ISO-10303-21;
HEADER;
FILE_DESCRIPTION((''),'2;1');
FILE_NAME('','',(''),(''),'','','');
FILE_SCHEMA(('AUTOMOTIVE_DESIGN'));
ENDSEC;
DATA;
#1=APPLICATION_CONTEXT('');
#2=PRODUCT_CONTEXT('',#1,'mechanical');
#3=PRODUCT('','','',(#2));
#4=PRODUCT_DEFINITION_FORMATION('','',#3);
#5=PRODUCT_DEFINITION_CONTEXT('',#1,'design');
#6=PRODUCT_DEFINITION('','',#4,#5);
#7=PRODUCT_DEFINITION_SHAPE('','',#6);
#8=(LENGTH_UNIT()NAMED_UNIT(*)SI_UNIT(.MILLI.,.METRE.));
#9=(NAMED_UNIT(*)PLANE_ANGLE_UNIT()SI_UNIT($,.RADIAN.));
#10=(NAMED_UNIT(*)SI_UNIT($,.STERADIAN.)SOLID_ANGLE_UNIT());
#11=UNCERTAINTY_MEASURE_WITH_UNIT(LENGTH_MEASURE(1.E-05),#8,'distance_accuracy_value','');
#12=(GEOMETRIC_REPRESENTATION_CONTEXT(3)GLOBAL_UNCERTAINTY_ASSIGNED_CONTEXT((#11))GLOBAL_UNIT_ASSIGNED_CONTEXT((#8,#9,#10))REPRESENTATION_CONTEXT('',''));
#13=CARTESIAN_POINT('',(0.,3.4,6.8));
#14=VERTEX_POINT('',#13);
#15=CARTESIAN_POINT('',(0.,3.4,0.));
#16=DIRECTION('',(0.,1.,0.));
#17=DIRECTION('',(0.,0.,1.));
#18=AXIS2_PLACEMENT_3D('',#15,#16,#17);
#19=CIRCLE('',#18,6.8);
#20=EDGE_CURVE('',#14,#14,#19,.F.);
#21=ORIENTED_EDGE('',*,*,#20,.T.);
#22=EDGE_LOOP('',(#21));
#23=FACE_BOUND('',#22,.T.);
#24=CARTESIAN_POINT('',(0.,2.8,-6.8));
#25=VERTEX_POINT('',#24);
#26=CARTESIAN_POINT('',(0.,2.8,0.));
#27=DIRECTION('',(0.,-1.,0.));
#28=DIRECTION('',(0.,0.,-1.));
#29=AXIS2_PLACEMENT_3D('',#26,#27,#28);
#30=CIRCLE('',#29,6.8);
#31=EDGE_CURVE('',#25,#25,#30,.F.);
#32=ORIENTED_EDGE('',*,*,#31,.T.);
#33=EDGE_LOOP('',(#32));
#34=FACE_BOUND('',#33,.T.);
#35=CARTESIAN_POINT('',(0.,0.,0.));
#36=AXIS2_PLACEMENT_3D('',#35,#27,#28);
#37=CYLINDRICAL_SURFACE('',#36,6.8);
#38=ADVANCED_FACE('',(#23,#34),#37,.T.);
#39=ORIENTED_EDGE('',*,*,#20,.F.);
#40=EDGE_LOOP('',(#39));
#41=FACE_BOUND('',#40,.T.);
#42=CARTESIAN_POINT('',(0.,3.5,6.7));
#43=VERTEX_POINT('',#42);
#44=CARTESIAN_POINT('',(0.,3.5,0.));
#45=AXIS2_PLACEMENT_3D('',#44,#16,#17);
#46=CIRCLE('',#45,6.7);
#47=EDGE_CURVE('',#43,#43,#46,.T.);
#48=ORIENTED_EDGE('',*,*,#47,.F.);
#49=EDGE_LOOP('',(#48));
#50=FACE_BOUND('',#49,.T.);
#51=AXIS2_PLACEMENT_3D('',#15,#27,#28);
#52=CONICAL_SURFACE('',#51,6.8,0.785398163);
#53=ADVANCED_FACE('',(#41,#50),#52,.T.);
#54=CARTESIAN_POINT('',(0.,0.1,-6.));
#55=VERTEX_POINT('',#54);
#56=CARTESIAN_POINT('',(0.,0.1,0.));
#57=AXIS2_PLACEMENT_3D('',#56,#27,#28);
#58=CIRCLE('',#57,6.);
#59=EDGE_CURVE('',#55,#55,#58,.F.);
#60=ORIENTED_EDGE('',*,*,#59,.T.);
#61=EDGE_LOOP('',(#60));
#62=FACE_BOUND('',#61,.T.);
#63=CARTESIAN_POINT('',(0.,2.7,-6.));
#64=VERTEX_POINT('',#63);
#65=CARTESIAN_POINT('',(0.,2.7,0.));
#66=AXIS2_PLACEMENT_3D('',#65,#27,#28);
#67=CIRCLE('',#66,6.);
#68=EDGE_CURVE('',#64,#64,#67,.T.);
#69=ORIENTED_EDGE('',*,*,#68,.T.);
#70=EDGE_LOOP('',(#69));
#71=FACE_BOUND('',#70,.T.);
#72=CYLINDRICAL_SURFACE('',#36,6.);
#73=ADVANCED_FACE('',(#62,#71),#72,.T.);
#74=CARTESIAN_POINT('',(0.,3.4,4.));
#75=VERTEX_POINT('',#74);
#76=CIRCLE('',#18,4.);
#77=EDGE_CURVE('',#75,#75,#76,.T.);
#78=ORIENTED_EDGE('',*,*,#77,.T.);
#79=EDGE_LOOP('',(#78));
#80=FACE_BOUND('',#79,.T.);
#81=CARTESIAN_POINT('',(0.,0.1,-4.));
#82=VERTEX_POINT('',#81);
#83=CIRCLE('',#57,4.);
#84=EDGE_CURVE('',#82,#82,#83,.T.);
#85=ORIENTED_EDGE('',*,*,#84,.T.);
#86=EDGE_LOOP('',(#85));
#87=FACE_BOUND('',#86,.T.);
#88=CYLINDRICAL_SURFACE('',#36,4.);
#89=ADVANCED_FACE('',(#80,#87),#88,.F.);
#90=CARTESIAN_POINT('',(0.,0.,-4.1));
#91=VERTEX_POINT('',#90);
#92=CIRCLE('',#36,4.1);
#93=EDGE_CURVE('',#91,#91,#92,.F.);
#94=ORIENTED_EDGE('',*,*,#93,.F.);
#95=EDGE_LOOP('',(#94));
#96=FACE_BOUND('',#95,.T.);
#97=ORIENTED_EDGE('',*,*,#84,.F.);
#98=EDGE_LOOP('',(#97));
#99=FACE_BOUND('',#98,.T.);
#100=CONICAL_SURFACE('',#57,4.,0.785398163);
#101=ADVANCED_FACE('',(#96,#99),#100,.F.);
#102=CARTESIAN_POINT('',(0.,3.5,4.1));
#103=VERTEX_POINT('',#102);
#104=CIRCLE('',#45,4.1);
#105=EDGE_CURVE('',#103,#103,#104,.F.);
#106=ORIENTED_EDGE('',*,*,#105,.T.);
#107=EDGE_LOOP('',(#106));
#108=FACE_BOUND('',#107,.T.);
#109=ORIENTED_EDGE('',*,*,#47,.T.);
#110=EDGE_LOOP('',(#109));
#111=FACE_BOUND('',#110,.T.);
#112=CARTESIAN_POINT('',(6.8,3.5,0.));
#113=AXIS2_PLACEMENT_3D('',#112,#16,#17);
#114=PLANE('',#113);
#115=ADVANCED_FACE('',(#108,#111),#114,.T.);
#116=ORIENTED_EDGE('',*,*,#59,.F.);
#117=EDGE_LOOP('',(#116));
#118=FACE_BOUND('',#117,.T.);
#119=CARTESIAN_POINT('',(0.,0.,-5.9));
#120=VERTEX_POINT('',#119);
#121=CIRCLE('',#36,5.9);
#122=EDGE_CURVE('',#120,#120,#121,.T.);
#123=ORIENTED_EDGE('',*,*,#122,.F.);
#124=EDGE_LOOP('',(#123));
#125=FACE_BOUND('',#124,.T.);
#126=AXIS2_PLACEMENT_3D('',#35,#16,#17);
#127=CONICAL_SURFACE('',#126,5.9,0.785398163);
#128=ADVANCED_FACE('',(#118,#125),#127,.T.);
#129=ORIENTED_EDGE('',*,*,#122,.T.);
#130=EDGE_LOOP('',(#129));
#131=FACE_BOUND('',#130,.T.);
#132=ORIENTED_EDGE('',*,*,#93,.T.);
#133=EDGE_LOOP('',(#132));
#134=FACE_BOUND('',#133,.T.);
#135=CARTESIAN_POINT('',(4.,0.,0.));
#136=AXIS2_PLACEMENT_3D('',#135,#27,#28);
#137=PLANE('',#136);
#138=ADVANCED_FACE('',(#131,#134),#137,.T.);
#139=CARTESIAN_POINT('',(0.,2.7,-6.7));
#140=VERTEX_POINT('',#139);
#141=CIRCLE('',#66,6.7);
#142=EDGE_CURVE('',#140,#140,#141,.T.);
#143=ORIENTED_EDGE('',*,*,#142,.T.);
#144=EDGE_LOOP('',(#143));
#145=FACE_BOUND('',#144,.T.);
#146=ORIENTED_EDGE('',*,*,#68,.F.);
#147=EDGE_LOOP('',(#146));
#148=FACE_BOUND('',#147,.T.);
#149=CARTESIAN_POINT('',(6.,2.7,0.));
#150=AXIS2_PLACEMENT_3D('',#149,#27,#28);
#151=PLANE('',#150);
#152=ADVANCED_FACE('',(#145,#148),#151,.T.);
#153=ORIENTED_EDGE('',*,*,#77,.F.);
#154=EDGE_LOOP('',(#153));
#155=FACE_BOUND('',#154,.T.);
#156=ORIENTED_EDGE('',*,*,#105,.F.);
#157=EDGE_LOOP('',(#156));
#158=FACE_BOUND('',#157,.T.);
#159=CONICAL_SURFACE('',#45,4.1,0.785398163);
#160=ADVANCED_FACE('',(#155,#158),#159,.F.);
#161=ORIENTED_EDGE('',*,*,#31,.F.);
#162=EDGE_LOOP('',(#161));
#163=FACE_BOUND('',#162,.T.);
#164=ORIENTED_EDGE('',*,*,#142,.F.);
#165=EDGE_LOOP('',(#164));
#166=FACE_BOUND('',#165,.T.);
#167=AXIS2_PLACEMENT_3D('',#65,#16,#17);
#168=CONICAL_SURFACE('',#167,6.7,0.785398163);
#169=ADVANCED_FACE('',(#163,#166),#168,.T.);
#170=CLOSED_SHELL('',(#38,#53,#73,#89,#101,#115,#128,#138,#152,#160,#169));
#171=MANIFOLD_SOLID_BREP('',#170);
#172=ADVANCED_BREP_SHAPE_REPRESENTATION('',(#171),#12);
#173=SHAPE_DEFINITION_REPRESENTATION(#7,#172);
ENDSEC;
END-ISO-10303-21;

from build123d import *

# Parameters (mm, degrees)
CHAMFER_1_SIZE = 0.1


with BuildPart() as part:
    # 草图1 → 旋转1 (revolve)
    with BuildSketch(Plane.XY, mode=Mode.PRIVATE) as revolve_1_sk:
        Polygon((6, 0), (6, 2.7), (6.8, 2.7), (6.8, 3.5), (4, 3.5), (4, 0), align=None)
    revolve(revolve_1_sk.sketch.rotate(Axis((0, 0, 0), (0, 1, 0)), 90), axis=Axis((0, 0, 0), (0, 1, 0)))

    # 倒角1
    chamfer_1_edges = [part.edges().sort_by_distance(p)[0] for p in [
        (0, 0, 4),
        (0, 3.5, 4),
        (0, 3.5, 6.8),
        (0, 2.7, 6.8),
        (0, 0, 6),
    ]]
    chamfer(chamfer_1_edges, length=CHAMFER_1_SIZE)


solid = part.part
